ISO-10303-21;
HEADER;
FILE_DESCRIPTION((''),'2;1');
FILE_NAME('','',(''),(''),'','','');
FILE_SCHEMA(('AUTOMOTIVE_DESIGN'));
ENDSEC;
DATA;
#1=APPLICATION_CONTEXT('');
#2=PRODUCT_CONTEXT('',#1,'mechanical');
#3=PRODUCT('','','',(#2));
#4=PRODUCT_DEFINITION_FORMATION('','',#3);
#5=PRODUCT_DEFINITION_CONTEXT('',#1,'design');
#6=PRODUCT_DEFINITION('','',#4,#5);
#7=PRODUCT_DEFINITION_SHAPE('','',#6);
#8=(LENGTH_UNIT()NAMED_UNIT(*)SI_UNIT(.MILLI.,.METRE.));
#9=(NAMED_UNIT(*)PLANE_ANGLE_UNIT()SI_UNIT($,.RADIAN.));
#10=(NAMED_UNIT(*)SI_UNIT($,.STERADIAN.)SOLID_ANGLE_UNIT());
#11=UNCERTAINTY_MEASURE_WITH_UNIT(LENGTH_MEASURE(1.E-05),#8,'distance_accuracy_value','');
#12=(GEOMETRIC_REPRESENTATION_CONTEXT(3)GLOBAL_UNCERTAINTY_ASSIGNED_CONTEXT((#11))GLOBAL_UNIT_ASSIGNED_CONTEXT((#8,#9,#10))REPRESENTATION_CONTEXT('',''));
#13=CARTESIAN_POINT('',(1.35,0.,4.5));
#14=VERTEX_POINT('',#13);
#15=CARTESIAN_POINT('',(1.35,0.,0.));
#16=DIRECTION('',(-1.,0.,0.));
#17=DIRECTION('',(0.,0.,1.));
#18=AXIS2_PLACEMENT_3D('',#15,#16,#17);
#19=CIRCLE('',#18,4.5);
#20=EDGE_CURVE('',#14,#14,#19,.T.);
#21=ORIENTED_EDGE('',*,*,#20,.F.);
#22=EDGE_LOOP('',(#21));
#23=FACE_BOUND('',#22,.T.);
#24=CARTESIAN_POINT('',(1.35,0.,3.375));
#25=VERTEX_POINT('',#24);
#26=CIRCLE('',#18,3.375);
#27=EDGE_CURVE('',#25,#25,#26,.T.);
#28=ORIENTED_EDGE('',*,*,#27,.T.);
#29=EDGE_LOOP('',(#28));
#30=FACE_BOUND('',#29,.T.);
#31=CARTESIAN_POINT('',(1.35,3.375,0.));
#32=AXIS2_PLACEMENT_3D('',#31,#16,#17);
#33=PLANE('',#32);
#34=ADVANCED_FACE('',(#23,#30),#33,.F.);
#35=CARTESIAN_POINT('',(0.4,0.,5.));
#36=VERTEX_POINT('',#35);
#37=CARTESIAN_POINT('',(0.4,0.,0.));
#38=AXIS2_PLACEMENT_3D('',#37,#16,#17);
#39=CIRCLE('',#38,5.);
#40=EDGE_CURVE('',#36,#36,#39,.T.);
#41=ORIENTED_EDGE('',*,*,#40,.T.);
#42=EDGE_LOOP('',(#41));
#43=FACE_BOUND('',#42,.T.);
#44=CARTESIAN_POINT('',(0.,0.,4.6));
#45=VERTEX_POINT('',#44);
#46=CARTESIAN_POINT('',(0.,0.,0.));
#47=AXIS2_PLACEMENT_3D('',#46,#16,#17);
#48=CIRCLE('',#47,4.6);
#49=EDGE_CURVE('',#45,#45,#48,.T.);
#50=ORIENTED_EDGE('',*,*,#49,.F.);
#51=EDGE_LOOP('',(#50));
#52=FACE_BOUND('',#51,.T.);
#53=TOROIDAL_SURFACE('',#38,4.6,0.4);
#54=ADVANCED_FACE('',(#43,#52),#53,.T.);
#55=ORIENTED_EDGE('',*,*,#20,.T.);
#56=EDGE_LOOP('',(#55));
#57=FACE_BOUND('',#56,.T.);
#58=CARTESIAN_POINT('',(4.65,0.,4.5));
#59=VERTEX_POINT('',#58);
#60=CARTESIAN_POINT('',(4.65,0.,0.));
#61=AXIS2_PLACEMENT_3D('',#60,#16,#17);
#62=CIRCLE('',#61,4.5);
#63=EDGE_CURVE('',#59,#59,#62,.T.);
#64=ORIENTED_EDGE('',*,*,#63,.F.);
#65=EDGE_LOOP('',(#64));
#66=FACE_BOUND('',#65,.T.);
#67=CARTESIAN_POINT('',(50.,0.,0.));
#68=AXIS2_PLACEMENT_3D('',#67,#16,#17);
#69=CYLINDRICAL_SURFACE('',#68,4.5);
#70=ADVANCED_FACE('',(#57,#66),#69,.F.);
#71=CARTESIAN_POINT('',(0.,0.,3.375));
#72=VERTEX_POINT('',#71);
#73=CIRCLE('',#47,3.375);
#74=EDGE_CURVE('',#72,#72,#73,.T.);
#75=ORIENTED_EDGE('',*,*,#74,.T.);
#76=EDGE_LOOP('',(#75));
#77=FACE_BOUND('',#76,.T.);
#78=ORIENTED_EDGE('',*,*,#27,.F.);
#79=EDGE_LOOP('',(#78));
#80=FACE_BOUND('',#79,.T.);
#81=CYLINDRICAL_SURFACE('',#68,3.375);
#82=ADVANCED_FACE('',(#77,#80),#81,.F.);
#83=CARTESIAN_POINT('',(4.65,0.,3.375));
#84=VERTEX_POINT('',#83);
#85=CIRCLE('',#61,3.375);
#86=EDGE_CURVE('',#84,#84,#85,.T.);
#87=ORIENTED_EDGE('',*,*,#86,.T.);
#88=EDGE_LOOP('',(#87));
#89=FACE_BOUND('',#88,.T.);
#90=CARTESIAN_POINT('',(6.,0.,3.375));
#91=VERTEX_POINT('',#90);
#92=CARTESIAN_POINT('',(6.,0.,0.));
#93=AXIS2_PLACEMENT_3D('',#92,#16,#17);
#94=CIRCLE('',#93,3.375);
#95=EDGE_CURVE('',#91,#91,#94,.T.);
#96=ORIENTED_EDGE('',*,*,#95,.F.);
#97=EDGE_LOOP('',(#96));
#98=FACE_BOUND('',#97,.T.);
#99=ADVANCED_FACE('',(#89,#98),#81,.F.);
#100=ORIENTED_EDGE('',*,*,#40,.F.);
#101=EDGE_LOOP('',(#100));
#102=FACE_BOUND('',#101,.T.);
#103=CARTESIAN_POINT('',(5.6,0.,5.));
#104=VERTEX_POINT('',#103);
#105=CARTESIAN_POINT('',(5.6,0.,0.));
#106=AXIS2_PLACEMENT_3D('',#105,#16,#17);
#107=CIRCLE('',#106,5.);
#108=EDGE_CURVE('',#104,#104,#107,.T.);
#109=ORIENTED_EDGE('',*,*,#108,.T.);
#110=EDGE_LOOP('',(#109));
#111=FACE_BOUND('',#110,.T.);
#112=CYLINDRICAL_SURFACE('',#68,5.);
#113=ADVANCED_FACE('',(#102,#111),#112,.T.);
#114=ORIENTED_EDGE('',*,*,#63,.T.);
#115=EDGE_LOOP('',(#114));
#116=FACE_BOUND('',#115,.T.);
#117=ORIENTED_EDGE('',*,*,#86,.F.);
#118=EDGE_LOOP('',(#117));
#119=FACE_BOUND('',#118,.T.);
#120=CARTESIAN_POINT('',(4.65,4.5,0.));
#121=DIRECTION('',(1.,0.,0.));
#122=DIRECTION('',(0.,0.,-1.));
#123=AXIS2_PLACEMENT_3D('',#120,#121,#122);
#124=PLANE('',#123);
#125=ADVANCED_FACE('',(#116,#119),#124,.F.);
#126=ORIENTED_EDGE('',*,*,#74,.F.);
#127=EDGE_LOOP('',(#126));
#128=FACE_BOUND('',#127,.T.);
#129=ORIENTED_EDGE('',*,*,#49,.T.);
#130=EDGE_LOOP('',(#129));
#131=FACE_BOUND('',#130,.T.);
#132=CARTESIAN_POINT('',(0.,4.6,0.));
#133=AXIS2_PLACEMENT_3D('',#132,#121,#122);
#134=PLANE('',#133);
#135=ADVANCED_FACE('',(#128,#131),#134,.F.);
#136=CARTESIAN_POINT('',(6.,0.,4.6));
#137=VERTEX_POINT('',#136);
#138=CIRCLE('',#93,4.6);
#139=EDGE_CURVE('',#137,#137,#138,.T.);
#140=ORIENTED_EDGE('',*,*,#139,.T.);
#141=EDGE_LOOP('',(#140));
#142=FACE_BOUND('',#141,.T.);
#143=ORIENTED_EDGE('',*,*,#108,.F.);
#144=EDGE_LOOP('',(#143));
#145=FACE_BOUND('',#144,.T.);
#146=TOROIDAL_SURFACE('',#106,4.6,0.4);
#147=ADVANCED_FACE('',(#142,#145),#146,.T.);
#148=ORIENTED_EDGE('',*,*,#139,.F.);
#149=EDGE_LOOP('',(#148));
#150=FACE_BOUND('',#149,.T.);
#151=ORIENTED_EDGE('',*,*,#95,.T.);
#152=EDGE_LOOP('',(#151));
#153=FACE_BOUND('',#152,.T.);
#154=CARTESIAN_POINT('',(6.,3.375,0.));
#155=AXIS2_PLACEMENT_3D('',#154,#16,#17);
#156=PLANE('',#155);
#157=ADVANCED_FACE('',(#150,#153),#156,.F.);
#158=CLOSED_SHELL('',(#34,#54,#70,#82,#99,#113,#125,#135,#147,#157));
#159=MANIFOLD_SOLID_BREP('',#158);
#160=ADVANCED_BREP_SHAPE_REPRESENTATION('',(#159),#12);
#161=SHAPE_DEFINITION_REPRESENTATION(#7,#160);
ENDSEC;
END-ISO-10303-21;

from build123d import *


with BuildPart() as part:
    # Sketch1 → Revolve1 (revolve)
    with BuildSketch(Plane.XY):
        with BuildLine():
            Line((0, 4.6), (0, 3.375))
            Line((0, 3.375), (1.35, 3.375))
            Line((1.35, 3.375), (1.35, 4.5))
            Line((1.35, 4.5), (4.65, 4.5))
            Line((4.65, 4.5), (4.65, 3.375))
            Line((4.65, 3.375), (6, 3.375))
            Line((6, 3.375), (6, 4.6))
            ThreePointArc((6, 4.6), (5.882842712, 4.882842712), (5.6, 5))
            Line((5.6, 5), (0.4, 5))
            ThreePointArc((0.4, 5), (0.117157288, 4.882842712), (0, 4.6))
        make_face()
    revolve(axis=Axis((50, 0, 0), (-1, 0, 0)))


solid = part.part
